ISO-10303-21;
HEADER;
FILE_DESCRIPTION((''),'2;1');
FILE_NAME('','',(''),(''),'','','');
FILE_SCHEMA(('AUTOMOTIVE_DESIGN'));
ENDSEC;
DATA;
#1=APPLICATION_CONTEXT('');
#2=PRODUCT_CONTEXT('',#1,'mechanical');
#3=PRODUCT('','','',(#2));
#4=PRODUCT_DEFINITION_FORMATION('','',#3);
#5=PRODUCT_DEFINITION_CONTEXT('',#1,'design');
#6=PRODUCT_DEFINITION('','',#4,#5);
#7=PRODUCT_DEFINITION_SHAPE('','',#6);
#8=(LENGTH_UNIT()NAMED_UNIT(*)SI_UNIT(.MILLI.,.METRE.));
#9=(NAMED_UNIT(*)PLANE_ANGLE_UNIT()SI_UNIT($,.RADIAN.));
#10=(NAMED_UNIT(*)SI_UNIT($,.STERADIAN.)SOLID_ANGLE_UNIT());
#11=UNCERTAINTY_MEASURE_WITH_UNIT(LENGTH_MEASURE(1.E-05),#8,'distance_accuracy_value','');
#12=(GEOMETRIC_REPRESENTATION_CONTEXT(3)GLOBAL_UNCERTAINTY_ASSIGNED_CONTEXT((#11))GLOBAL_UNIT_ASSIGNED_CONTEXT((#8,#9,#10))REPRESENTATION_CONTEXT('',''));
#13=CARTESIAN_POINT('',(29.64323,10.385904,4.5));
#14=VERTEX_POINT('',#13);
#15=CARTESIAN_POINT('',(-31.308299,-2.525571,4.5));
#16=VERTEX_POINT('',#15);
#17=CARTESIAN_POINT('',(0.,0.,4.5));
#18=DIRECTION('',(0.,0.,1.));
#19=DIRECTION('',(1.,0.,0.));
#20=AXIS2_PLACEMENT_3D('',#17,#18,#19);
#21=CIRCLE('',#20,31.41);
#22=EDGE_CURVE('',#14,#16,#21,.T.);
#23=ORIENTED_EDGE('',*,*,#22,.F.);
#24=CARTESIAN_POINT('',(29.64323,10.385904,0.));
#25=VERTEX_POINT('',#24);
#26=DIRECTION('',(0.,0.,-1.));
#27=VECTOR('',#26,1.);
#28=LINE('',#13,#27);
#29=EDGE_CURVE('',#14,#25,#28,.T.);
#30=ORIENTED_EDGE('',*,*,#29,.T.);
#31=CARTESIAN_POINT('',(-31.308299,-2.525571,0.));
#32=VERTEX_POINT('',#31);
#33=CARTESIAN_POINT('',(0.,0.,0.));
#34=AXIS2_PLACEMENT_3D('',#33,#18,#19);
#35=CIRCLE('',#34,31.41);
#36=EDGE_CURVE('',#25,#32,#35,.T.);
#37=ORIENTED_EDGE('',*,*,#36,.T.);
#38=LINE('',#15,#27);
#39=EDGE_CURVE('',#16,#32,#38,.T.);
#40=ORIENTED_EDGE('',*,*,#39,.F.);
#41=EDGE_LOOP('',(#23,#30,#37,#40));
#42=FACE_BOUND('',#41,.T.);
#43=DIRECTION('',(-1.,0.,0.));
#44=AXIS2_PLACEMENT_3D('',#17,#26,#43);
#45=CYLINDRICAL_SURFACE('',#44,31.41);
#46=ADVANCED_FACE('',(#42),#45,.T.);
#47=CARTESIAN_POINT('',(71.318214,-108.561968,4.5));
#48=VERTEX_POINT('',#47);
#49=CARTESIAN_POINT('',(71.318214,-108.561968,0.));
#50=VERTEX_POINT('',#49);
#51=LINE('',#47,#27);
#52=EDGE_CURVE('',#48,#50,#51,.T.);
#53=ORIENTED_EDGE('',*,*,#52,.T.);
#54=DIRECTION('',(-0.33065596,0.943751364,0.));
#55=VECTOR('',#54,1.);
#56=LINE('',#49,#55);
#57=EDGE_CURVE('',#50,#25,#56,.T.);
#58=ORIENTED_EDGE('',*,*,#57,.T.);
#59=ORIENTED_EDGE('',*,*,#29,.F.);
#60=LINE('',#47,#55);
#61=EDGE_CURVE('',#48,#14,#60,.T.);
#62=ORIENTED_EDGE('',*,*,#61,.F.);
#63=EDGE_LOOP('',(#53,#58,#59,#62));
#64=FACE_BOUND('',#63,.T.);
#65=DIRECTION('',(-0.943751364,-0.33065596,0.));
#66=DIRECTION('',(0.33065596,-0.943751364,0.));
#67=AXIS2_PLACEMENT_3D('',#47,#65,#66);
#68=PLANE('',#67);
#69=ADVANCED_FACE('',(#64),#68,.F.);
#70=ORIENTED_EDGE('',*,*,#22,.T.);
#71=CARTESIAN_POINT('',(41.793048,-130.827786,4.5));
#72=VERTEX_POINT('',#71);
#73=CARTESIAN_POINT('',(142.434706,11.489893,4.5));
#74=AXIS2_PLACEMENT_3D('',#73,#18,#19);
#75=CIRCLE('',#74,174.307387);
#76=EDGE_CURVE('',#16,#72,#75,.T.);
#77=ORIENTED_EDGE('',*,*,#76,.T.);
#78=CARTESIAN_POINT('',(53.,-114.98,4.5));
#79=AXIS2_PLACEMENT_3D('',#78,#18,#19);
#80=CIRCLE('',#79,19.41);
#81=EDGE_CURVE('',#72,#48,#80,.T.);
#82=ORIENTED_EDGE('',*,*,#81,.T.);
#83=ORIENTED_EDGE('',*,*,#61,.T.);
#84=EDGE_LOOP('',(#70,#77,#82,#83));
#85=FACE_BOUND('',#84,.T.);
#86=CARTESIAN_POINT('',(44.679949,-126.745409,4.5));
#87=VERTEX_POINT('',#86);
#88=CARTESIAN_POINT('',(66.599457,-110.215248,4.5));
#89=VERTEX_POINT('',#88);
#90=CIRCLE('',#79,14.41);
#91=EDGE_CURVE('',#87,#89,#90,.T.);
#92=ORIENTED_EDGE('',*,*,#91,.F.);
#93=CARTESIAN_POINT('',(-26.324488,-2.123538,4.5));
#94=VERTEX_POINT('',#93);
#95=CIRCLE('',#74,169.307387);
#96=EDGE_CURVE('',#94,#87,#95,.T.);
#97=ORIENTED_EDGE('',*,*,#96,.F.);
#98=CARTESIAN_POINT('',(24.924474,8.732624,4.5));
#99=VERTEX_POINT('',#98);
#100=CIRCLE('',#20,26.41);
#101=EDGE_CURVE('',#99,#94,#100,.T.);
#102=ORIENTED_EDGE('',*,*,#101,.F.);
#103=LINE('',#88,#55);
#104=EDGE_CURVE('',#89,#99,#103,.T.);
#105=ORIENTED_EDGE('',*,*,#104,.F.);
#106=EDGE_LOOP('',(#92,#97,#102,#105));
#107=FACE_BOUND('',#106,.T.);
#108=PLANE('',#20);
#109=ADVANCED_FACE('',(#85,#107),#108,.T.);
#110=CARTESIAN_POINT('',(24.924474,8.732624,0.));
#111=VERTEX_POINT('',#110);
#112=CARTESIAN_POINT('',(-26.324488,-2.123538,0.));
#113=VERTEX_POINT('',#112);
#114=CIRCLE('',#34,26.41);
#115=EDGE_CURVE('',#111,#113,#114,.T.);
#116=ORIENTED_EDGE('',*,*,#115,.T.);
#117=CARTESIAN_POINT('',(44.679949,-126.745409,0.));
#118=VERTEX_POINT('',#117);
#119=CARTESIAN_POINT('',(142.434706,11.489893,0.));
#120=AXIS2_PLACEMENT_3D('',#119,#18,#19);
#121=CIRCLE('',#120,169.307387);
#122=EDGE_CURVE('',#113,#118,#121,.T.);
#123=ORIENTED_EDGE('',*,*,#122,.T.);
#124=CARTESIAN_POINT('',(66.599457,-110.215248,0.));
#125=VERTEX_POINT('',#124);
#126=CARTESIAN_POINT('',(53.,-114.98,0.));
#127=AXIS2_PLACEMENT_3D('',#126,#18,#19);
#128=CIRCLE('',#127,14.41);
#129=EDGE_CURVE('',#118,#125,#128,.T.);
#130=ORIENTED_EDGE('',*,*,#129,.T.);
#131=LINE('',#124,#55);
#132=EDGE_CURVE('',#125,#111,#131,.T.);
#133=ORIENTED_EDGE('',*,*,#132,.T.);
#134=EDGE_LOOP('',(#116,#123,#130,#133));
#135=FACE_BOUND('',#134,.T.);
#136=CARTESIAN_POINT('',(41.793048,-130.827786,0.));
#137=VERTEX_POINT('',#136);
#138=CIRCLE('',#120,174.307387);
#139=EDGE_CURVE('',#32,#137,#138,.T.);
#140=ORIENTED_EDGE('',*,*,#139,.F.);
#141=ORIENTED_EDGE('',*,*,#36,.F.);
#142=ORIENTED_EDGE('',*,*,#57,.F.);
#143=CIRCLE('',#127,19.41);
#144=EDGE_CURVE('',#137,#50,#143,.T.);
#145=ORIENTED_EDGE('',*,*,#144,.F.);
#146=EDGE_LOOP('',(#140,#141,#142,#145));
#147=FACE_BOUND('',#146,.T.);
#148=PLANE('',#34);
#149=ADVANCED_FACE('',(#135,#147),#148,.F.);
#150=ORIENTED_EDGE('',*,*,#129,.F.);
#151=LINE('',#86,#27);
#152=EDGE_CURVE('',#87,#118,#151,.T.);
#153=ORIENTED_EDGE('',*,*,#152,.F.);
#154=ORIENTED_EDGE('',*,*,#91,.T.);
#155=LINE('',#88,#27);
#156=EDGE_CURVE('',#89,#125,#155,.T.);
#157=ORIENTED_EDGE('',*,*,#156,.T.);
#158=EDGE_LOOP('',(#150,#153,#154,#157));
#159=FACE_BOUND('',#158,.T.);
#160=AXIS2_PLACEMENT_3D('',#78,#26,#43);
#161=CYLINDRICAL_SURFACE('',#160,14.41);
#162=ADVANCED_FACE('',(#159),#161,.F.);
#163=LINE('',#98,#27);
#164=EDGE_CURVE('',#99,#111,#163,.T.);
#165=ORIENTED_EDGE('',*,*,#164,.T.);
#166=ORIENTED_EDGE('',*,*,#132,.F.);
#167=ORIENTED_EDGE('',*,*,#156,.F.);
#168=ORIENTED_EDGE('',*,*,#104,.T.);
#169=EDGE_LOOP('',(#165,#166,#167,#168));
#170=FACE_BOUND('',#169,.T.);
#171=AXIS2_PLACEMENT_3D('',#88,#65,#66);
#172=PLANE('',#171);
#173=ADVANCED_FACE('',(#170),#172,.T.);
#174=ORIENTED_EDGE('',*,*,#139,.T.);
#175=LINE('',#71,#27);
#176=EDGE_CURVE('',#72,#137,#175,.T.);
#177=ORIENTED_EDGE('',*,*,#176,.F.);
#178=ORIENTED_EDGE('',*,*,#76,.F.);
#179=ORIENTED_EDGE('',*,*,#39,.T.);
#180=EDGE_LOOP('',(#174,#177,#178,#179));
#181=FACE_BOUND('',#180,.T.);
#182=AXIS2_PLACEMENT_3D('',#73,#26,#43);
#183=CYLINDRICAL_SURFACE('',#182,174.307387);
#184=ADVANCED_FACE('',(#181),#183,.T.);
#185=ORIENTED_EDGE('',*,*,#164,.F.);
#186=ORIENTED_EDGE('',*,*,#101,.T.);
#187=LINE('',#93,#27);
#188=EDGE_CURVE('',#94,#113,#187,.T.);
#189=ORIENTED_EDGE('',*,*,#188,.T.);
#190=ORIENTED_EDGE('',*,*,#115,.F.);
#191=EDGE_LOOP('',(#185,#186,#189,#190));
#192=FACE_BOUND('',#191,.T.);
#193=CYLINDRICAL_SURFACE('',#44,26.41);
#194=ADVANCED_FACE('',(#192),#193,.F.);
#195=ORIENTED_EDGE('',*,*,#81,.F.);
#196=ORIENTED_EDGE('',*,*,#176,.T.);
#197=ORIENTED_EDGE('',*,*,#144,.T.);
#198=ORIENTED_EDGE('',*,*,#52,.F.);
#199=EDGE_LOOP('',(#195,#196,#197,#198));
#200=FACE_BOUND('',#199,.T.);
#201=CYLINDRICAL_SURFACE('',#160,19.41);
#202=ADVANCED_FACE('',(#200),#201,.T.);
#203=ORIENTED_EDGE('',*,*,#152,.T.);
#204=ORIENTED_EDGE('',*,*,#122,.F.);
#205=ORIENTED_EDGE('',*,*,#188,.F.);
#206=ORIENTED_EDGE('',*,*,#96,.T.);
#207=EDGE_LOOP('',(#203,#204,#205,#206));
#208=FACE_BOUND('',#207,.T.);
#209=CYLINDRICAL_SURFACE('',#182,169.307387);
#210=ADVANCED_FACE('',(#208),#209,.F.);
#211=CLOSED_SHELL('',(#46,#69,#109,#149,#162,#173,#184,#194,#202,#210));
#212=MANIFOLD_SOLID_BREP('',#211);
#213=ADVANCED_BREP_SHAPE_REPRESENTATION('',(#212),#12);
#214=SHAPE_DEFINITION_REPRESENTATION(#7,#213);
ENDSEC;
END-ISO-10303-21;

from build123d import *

# Parameters (mm, degrees)
BOSS_EXTRUDE1_DEPTH = 4.5


with BuildPart() as part:
    # Sketch1 → Boss-Extrude1 (new body)
    with BuildSketch(Plane.XY):
        with BuildLine():
            Line((71.318213966, -108.561967819), (29.643230329, 10.3859037))
            ThreePointArc((29.643230329, 10.3859037), (-6.509198083, 30.728137599), (-31.308299059, -2.525571229))
            ThreePointArc((-31.308299059, -2.525571229), (-9.015287266, -74.800110093), (41.79304757, -130.827785878))
            ThreePointArc((41.79304757, -130.827785878), (64.686923189, -130.477223183), (71.318213966, -108.561967819))
        make_face()
        with BuildLine():
            Line((66.599457149, -110.215247618), (24.924473511, 8.732623901))
            ThreePointArc((24.924473511, 8.732623901), (-5.473031562, 25.836679847), (-26.324488321, -2.123538241))
            ThreePointArc((-26.324488321, -2.123538241), (-4.670950627, -72.32488502), (44.679949278, -126.7454093))
            ThreePointArc((44.679949278, -126.7454093), (61.676381409, -126.485151265), (66.599457149, -110.215247618))
        make_face(mode=Mode.SUBTRACT)
    extrude(amount=BOSS_EXTRUDE1_DEPTH)


solid = part.part
